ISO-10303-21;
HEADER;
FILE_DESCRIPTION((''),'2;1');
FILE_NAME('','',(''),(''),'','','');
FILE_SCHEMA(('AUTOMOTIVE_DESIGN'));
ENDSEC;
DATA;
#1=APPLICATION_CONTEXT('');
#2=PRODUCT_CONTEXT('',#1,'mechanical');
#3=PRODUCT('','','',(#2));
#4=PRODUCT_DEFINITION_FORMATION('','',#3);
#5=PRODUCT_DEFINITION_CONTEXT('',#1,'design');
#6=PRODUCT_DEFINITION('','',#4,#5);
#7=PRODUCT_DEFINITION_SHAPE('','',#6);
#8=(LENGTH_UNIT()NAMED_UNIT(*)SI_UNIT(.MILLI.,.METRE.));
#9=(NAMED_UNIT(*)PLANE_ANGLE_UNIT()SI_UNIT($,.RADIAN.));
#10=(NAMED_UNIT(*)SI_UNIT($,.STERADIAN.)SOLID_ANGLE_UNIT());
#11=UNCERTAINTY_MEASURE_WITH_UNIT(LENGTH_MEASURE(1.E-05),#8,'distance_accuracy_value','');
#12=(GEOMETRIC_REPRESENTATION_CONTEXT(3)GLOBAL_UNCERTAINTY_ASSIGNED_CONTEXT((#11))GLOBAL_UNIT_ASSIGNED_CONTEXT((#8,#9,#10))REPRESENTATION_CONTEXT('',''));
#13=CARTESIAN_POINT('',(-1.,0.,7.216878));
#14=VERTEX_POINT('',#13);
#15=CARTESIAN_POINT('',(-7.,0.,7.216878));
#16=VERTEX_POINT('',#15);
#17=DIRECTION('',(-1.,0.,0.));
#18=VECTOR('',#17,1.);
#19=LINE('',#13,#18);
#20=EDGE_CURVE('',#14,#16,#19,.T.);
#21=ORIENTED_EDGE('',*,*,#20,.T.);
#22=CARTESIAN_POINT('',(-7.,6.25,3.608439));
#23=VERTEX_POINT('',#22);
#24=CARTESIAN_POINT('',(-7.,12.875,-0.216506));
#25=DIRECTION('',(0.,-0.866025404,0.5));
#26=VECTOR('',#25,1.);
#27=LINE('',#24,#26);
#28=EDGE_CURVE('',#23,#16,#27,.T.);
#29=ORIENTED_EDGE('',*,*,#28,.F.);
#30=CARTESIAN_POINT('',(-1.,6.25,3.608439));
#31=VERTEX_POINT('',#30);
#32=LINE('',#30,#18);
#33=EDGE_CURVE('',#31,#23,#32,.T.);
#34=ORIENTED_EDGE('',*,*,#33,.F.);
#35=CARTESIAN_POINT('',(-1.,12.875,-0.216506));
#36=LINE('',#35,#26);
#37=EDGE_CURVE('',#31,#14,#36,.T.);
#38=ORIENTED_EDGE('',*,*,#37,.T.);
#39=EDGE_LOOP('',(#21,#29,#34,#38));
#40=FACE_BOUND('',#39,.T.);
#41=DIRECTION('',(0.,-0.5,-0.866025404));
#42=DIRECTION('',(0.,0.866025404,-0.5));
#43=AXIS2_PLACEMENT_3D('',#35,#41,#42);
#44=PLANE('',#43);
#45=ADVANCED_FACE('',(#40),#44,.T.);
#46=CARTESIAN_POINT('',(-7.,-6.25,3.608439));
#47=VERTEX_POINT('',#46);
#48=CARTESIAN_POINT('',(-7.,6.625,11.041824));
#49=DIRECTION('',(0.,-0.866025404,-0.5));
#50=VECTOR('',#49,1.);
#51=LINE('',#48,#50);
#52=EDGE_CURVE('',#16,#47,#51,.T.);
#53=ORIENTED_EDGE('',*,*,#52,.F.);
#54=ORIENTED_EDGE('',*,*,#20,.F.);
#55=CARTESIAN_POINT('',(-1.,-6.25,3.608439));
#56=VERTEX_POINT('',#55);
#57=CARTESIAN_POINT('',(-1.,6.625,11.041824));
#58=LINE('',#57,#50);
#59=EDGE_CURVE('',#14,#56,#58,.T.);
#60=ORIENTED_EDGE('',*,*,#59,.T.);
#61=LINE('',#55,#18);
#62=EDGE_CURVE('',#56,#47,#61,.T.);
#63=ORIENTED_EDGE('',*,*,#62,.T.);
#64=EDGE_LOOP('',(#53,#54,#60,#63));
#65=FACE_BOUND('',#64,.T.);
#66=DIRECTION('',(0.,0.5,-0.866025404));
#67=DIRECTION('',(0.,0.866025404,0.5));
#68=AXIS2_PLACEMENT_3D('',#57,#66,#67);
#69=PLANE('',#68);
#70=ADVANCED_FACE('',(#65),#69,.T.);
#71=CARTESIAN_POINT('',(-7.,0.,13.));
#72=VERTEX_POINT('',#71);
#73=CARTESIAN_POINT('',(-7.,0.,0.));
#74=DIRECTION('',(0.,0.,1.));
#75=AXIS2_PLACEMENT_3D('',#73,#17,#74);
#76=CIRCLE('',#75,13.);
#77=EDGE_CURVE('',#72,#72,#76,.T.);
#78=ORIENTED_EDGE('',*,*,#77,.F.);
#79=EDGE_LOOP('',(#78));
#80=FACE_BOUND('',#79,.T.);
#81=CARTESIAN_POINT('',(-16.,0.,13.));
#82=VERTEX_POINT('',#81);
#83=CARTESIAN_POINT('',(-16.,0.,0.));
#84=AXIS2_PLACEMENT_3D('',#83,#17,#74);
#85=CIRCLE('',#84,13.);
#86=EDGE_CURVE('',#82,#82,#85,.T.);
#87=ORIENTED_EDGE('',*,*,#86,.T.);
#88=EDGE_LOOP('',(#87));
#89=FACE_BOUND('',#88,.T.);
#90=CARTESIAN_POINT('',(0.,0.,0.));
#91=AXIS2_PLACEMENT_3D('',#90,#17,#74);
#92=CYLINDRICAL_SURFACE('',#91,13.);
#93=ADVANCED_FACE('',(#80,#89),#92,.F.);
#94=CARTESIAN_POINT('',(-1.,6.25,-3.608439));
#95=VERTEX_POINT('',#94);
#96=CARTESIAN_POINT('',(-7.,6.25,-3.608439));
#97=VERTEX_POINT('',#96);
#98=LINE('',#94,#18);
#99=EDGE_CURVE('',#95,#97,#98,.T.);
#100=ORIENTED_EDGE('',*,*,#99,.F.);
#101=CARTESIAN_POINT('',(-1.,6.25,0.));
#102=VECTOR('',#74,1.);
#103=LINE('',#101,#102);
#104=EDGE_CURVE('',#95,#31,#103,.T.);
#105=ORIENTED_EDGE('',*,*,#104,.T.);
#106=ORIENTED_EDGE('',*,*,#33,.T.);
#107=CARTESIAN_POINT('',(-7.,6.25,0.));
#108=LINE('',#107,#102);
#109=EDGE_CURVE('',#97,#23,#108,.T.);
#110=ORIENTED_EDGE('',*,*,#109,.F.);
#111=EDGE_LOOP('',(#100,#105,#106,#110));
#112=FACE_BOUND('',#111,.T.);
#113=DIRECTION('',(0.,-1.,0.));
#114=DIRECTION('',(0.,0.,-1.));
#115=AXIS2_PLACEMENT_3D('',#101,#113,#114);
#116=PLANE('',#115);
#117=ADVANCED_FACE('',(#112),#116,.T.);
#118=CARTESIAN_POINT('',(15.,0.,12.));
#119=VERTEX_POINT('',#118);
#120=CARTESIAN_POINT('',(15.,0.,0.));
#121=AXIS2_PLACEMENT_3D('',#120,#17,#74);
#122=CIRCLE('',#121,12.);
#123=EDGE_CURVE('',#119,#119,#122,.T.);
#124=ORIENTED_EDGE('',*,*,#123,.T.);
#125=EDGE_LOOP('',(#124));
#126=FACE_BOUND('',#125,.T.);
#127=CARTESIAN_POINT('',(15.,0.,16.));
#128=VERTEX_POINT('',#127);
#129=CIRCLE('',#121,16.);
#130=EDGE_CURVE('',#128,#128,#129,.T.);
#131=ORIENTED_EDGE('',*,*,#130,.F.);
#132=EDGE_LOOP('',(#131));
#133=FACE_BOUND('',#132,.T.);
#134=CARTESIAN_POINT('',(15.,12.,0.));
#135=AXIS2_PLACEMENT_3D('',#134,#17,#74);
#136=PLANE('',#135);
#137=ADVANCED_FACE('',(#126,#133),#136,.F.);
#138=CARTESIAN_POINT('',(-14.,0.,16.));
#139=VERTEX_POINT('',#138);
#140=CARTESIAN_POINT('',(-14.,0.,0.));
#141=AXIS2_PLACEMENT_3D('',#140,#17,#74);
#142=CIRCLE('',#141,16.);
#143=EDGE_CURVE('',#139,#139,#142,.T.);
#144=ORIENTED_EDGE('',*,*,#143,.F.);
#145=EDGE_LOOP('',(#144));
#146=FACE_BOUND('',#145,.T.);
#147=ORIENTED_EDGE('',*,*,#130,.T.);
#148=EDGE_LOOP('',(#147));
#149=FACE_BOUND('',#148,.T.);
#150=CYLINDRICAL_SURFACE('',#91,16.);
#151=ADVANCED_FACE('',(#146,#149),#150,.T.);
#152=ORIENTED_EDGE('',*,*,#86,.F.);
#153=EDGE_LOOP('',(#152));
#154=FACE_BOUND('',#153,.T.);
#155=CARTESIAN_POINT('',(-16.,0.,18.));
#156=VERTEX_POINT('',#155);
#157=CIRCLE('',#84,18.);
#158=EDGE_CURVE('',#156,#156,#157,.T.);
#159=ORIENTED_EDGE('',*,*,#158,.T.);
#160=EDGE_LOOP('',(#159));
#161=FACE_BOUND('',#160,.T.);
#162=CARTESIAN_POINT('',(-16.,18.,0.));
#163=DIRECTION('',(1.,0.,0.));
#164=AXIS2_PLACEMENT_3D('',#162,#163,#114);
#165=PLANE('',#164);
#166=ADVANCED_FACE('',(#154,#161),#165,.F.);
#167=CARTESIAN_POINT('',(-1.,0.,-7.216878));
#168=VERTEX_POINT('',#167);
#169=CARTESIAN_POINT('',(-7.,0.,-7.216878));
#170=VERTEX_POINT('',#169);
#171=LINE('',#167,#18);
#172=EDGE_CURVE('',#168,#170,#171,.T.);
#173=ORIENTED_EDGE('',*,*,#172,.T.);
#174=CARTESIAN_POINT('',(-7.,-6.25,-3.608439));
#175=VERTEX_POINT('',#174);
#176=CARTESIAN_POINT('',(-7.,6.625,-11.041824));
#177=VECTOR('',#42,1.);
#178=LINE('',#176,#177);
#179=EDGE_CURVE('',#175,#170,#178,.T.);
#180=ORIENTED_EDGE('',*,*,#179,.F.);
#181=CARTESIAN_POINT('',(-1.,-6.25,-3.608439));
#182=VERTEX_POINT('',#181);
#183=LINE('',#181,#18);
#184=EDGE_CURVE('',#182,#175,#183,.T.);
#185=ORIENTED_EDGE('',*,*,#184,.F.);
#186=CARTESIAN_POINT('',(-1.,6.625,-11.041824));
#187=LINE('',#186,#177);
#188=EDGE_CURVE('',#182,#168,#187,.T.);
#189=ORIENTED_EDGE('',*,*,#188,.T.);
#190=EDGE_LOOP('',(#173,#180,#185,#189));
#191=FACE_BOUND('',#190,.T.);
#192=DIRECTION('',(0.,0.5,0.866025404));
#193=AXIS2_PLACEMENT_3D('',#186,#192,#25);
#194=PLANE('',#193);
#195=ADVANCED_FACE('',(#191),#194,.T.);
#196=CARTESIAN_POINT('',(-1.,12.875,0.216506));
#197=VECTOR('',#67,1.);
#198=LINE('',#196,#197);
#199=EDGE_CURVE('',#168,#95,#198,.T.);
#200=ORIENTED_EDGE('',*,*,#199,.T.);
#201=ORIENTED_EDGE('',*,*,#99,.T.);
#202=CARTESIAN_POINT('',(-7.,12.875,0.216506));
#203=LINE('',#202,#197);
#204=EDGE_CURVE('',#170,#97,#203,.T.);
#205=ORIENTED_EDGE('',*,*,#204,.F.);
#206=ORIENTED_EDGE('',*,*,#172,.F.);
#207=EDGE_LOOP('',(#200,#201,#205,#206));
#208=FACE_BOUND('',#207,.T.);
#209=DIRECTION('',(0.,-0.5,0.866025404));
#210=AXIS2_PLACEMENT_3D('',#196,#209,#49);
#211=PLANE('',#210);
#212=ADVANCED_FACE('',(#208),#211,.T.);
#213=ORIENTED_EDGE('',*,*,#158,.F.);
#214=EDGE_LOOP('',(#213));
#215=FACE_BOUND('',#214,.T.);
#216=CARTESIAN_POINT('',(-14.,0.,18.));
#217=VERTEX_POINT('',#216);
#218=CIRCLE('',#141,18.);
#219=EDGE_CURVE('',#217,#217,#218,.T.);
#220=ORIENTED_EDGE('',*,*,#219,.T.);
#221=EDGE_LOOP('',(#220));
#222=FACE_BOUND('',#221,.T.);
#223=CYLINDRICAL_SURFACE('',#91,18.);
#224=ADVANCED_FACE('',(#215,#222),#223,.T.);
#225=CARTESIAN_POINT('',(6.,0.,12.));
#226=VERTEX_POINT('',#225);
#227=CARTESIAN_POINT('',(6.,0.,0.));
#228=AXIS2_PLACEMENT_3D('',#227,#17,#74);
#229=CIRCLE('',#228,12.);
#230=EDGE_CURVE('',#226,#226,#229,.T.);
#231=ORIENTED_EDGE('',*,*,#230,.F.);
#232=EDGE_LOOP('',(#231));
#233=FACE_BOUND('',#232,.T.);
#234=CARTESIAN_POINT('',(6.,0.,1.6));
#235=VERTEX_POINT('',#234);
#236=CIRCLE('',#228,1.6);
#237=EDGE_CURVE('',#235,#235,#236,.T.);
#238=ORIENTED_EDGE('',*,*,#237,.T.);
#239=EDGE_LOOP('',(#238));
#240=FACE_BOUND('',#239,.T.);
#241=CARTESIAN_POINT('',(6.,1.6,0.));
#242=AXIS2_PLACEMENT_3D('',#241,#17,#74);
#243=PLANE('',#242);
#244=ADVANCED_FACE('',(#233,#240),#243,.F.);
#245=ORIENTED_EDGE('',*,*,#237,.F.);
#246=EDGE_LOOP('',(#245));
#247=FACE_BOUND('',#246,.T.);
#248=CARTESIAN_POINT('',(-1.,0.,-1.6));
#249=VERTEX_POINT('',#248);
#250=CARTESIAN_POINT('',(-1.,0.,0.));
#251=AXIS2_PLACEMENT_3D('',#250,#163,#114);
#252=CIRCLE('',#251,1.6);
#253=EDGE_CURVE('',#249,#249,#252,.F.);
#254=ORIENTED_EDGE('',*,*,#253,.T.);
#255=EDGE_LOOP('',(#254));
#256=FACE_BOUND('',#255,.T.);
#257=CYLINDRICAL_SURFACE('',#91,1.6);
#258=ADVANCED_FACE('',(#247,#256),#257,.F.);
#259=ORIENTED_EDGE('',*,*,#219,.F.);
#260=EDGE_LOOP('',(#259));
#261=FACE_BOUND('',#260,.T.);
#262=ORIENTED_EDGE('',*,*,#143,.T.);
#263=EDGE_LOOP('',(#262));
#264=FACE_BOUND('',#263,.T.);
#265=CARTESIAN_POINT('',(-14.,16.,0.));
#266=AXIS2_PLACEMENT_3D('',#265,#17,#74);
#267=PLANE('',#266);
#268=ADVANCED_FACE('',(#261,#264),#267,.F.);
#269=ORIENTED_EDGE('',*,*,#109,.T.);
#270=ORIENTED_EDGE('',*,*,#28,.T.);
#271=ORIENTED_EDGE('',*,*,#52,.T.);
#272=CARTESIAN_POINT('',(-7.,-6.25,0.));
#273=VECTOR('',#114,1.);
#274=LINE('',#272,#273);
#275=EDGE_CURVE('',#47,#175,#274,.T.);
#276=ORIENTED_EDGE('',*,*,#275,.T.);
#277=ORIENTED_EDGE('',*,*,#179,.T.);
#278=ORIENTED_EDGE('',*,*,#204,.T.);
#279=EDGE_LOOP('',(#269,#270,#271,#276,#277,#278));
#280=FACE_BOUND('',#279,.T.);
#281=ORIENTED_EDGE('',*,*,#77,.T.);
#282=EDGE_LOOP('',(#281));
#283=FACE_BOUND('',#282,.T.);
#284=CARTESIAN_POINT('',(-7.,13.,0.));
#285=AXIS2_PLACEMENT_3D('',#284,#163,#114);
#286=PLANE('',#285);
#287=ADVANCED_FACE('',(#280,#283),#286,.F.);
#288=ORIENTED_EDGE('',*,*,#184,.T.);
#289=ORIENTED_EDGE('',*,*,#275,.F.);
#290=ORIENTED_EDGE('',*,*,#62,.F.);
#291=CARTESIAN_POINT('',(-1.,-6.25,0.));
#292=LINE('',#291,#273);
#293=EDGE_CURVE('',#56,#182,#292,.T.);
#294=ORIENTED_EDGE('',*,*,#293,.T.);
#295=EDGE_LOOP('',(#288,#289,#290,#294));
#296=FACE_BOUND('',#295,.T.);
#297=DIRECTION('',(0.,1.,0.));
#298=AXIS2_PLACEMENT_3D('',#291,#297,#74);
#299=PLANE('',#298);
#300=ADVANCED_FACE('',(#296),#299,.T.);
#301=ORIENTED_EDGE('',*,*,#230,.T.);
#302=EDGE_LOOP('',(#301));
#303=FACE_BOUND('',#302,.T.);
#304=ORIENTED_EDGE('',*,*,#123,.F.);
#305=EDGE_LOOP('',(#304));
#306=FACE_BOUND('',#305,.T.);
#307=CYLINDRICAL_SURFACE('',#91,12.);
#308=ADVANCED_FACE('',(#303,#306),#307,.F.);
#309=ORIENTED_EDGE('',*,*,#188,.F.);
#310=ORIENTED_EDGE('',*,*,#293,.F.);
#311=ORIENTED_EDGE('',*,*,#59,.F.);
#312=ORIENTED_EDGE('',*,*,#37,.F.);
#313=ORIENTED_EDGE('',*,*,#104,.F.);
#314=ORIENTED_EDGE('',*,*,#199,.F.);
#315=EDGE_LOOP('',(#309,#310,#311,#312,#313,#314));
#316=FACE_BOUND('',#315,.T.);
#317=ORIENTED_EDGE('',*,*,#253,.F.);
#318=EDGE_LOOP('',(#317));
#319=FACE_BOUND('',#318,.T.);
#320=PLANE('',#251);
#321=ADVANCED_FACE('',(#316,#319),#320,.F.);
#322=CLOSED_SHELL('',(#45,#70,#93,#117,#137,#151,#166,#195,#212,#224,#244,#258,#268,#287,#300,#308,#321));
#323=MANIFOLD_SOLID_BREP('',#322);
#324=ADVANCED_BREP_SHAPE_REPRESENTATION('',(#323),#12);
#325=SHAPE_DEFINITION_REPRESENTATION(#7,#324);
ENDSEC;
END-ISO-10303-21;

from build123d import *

# Parameters (mm, degrees)
CUT_EXTRUDE1_START = -7
CUT_EXTRUDE1_DEPTH = 6


with BuildPart() as part:
    # Sketch3 → Revolve1 (revolve)
    with BuildSketch(Plane.XY, mode=Mode.PRIVATE) as revolve1_sk:
        Polygon((-7, 1.6), (6, 1.6), (6, 12), (15, 12), (15, 16), (-14, 16), (-14, 18), (-16, 18), (-16, 13), (-7, 13), align=None)
    revolve(revolve1_sk.sketch.rotate(Axis((0, 0, 0), (1, 0, 0)), 90), axis=Axis((0, 0, 0), (1, 0, 0)))

    # Sketch4 → Cut-Extrude1 (cut)
    with BuildSketch(Plane(origin=(0, 0, 0), x_dir=(0, 0, -1), z_dir=(1, 0, 0)).offset(CUT_EXTRUDE1_START)):
        Polygon((3.608439182, 6.25), (-3.608439182, 6.25), (-7.216878365, 0), (-3.608439182, -6.25), (3.608439182, -6.25), (7.216878365, 0), align=None)
    extrude(amount=CUT_EXTRUDE1_DEPTH, mode=Mode.SUBTRACT)


solid = part.part
